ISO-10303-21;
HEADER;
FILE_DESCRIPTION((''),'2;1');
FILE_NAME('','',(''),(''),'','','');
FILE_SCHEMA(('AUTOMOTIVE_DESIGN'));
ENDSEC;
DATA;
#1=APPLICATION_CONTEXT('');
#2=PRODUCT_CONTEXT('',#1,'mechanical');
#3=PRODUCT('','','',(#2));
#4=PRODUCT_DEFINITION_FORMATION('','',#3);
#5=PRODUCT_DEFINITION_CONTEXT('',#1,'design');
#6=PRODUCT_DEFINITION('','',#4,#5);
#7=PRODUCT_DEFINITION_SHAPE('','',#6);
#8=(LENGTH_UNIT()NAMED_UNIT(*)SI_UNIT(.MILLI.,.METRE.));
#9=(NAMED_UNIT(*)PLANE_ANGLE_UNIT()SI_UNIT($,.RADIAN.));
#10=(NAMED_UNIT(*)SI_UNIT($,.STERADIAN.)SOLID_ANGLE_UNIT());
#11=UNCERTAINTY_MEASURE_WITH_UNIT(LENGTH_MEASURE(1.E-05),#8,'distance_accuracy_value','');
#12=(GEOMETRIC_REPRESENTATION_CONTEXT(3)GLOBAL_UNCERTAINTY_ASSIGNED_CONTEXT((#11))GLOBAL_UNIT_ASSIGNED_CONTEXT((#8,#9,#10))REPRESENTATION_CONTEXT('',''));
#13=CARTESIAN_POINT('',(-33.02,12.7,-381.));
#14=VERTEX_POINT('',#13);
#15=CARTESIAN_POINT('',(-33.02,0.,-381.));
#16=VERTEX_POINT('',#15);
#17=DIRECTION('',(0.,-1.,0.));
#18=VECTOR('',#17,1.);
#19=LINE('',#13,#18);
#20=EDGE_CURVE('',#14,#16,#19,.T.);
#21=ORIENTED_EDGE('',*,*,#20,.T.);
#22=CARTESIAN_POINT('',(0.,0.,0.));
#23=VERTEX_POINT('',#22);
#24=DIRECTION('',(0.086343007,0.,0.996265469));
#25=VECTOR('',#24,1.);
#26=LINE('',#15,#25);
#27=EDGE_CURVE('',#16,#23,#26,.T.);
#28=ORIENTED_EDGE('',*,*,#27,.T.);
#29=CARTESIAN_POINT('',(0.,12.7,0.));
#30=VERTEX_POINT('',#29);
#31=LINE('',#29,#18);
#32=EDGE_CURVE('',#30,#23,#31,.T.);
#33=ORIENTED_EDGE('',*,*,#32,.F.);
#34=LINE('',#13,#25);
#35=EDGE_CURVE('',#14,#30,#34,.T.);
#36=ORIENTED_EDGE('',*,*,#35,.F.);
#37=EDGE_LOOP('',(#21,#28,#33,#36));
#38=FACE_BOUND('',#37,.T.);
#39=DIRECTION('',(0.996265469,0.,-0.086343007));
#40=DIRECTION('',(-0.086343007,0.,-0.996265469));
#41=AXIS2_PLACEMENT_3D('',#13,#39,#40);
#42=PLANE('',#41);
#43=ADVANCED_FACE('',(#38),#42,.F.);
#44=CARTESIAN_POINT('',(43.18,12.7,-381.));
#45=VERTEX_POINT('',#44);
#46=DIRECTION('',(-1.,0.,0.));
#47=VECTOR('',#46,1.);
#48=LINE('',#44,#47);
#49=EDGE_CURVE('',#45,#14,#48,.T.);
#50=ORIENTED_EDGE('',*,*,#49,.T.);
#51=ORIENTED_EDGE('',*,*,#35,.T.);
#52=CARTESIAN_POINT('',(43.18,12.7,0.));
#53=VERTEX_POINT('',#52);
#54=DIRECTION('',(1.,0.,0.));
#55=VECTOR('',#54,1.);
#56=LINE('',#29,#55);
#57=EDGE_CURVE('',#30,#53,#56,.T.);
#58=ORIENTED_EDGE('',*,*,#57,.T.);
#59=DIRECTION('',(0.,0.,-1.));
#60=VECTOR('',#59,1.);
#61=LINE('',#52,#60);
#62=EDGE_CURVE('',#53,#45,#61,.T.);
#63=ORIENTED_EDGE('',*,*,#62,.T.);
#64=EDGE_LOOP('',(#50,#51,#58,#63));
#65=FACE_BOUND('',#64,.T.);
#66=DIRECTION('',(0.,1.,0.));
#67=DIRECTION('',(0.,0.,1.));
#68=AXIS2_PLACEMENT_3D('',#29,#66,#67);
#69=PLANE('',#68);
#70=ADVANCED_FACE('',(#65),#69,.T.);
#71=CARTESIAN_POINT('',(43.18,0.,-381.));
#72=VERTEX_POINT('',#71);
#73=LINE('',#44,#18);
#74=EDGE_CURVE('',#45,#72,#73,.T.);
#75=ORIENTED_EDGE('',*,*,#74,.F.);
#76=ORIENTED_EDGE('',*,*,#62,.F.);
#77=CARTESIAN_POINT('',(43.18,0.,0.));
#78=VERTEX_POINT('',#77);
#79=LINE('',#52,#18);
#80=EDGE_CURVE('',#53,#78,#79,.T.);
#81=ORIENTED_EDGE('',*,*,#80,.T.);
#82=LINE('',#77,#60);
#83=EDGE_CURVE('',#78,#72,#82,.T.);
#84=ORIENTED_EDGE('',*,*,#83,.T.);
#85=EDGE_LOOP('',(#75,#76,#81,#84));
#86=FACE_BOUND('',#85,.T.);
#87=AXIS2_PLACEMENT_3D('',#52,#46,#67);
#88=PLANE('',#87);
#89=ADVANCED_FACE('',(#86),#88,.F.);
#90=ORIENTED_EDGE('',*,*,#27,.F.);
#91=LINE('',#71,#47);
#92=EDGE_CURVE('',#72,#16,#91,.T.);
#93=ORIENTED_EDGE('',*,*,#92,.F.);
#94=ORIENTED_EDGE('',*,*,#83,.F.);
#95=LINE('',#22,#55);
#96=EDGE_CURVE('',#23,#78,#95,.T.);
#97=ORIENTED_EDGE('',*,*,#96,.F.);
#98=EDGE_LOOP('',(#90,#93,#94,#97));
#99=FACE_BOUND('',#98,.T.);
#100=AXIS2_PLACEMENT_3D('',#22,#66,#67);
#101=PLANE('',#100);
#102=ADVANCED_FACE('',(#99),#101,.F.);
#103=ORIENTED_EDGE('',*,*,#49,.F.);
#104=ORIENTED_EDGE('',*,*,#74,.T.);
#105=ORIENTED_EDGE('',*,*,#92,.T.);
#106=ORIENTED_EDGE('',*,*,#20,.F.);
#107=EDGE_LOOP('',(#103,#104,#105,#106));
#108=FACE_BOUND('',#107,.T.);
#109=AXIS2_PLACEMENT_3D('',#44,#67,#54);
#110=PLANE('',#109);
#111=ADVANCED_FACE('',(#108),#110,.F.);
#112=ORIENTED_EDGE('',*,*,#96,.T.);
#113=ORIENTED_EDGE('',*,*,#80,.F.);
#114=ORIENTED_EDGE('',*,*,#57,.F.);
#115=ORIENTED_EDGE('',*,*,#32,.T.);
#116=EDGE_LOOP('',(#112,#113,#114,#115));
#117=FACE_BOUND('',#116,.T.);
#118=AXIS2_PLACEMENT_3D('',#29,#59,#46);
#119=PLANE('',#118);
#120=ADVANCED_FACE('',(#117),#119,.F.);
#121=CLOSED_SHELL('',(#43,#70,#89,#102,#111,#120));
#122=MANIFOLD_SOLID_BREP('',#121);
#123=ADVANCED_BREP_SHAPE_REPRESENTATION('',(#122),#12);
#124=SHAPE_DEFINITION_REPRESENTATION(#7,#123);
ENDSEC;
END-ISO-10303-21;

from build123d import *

# Parameters (mm, degrees)
BOSS_EXTRUDE1_DEPTH = 12.7


with BuildPart() as part:
    # Sketch1 → Boss-Extrude1 (new body)
    with BuildSketch(Plane(origin=(0, 0, 0), x_dir=(1, 0, 0), z_dir=(0, 1, 0))):
        Polygon((0, 0), (43.18, 0), (43.18, 381), (-33.02, 381), align=None)
    extrude(amount=BOSS_EXTRUDE1_DEPTH)


solid = part.part
